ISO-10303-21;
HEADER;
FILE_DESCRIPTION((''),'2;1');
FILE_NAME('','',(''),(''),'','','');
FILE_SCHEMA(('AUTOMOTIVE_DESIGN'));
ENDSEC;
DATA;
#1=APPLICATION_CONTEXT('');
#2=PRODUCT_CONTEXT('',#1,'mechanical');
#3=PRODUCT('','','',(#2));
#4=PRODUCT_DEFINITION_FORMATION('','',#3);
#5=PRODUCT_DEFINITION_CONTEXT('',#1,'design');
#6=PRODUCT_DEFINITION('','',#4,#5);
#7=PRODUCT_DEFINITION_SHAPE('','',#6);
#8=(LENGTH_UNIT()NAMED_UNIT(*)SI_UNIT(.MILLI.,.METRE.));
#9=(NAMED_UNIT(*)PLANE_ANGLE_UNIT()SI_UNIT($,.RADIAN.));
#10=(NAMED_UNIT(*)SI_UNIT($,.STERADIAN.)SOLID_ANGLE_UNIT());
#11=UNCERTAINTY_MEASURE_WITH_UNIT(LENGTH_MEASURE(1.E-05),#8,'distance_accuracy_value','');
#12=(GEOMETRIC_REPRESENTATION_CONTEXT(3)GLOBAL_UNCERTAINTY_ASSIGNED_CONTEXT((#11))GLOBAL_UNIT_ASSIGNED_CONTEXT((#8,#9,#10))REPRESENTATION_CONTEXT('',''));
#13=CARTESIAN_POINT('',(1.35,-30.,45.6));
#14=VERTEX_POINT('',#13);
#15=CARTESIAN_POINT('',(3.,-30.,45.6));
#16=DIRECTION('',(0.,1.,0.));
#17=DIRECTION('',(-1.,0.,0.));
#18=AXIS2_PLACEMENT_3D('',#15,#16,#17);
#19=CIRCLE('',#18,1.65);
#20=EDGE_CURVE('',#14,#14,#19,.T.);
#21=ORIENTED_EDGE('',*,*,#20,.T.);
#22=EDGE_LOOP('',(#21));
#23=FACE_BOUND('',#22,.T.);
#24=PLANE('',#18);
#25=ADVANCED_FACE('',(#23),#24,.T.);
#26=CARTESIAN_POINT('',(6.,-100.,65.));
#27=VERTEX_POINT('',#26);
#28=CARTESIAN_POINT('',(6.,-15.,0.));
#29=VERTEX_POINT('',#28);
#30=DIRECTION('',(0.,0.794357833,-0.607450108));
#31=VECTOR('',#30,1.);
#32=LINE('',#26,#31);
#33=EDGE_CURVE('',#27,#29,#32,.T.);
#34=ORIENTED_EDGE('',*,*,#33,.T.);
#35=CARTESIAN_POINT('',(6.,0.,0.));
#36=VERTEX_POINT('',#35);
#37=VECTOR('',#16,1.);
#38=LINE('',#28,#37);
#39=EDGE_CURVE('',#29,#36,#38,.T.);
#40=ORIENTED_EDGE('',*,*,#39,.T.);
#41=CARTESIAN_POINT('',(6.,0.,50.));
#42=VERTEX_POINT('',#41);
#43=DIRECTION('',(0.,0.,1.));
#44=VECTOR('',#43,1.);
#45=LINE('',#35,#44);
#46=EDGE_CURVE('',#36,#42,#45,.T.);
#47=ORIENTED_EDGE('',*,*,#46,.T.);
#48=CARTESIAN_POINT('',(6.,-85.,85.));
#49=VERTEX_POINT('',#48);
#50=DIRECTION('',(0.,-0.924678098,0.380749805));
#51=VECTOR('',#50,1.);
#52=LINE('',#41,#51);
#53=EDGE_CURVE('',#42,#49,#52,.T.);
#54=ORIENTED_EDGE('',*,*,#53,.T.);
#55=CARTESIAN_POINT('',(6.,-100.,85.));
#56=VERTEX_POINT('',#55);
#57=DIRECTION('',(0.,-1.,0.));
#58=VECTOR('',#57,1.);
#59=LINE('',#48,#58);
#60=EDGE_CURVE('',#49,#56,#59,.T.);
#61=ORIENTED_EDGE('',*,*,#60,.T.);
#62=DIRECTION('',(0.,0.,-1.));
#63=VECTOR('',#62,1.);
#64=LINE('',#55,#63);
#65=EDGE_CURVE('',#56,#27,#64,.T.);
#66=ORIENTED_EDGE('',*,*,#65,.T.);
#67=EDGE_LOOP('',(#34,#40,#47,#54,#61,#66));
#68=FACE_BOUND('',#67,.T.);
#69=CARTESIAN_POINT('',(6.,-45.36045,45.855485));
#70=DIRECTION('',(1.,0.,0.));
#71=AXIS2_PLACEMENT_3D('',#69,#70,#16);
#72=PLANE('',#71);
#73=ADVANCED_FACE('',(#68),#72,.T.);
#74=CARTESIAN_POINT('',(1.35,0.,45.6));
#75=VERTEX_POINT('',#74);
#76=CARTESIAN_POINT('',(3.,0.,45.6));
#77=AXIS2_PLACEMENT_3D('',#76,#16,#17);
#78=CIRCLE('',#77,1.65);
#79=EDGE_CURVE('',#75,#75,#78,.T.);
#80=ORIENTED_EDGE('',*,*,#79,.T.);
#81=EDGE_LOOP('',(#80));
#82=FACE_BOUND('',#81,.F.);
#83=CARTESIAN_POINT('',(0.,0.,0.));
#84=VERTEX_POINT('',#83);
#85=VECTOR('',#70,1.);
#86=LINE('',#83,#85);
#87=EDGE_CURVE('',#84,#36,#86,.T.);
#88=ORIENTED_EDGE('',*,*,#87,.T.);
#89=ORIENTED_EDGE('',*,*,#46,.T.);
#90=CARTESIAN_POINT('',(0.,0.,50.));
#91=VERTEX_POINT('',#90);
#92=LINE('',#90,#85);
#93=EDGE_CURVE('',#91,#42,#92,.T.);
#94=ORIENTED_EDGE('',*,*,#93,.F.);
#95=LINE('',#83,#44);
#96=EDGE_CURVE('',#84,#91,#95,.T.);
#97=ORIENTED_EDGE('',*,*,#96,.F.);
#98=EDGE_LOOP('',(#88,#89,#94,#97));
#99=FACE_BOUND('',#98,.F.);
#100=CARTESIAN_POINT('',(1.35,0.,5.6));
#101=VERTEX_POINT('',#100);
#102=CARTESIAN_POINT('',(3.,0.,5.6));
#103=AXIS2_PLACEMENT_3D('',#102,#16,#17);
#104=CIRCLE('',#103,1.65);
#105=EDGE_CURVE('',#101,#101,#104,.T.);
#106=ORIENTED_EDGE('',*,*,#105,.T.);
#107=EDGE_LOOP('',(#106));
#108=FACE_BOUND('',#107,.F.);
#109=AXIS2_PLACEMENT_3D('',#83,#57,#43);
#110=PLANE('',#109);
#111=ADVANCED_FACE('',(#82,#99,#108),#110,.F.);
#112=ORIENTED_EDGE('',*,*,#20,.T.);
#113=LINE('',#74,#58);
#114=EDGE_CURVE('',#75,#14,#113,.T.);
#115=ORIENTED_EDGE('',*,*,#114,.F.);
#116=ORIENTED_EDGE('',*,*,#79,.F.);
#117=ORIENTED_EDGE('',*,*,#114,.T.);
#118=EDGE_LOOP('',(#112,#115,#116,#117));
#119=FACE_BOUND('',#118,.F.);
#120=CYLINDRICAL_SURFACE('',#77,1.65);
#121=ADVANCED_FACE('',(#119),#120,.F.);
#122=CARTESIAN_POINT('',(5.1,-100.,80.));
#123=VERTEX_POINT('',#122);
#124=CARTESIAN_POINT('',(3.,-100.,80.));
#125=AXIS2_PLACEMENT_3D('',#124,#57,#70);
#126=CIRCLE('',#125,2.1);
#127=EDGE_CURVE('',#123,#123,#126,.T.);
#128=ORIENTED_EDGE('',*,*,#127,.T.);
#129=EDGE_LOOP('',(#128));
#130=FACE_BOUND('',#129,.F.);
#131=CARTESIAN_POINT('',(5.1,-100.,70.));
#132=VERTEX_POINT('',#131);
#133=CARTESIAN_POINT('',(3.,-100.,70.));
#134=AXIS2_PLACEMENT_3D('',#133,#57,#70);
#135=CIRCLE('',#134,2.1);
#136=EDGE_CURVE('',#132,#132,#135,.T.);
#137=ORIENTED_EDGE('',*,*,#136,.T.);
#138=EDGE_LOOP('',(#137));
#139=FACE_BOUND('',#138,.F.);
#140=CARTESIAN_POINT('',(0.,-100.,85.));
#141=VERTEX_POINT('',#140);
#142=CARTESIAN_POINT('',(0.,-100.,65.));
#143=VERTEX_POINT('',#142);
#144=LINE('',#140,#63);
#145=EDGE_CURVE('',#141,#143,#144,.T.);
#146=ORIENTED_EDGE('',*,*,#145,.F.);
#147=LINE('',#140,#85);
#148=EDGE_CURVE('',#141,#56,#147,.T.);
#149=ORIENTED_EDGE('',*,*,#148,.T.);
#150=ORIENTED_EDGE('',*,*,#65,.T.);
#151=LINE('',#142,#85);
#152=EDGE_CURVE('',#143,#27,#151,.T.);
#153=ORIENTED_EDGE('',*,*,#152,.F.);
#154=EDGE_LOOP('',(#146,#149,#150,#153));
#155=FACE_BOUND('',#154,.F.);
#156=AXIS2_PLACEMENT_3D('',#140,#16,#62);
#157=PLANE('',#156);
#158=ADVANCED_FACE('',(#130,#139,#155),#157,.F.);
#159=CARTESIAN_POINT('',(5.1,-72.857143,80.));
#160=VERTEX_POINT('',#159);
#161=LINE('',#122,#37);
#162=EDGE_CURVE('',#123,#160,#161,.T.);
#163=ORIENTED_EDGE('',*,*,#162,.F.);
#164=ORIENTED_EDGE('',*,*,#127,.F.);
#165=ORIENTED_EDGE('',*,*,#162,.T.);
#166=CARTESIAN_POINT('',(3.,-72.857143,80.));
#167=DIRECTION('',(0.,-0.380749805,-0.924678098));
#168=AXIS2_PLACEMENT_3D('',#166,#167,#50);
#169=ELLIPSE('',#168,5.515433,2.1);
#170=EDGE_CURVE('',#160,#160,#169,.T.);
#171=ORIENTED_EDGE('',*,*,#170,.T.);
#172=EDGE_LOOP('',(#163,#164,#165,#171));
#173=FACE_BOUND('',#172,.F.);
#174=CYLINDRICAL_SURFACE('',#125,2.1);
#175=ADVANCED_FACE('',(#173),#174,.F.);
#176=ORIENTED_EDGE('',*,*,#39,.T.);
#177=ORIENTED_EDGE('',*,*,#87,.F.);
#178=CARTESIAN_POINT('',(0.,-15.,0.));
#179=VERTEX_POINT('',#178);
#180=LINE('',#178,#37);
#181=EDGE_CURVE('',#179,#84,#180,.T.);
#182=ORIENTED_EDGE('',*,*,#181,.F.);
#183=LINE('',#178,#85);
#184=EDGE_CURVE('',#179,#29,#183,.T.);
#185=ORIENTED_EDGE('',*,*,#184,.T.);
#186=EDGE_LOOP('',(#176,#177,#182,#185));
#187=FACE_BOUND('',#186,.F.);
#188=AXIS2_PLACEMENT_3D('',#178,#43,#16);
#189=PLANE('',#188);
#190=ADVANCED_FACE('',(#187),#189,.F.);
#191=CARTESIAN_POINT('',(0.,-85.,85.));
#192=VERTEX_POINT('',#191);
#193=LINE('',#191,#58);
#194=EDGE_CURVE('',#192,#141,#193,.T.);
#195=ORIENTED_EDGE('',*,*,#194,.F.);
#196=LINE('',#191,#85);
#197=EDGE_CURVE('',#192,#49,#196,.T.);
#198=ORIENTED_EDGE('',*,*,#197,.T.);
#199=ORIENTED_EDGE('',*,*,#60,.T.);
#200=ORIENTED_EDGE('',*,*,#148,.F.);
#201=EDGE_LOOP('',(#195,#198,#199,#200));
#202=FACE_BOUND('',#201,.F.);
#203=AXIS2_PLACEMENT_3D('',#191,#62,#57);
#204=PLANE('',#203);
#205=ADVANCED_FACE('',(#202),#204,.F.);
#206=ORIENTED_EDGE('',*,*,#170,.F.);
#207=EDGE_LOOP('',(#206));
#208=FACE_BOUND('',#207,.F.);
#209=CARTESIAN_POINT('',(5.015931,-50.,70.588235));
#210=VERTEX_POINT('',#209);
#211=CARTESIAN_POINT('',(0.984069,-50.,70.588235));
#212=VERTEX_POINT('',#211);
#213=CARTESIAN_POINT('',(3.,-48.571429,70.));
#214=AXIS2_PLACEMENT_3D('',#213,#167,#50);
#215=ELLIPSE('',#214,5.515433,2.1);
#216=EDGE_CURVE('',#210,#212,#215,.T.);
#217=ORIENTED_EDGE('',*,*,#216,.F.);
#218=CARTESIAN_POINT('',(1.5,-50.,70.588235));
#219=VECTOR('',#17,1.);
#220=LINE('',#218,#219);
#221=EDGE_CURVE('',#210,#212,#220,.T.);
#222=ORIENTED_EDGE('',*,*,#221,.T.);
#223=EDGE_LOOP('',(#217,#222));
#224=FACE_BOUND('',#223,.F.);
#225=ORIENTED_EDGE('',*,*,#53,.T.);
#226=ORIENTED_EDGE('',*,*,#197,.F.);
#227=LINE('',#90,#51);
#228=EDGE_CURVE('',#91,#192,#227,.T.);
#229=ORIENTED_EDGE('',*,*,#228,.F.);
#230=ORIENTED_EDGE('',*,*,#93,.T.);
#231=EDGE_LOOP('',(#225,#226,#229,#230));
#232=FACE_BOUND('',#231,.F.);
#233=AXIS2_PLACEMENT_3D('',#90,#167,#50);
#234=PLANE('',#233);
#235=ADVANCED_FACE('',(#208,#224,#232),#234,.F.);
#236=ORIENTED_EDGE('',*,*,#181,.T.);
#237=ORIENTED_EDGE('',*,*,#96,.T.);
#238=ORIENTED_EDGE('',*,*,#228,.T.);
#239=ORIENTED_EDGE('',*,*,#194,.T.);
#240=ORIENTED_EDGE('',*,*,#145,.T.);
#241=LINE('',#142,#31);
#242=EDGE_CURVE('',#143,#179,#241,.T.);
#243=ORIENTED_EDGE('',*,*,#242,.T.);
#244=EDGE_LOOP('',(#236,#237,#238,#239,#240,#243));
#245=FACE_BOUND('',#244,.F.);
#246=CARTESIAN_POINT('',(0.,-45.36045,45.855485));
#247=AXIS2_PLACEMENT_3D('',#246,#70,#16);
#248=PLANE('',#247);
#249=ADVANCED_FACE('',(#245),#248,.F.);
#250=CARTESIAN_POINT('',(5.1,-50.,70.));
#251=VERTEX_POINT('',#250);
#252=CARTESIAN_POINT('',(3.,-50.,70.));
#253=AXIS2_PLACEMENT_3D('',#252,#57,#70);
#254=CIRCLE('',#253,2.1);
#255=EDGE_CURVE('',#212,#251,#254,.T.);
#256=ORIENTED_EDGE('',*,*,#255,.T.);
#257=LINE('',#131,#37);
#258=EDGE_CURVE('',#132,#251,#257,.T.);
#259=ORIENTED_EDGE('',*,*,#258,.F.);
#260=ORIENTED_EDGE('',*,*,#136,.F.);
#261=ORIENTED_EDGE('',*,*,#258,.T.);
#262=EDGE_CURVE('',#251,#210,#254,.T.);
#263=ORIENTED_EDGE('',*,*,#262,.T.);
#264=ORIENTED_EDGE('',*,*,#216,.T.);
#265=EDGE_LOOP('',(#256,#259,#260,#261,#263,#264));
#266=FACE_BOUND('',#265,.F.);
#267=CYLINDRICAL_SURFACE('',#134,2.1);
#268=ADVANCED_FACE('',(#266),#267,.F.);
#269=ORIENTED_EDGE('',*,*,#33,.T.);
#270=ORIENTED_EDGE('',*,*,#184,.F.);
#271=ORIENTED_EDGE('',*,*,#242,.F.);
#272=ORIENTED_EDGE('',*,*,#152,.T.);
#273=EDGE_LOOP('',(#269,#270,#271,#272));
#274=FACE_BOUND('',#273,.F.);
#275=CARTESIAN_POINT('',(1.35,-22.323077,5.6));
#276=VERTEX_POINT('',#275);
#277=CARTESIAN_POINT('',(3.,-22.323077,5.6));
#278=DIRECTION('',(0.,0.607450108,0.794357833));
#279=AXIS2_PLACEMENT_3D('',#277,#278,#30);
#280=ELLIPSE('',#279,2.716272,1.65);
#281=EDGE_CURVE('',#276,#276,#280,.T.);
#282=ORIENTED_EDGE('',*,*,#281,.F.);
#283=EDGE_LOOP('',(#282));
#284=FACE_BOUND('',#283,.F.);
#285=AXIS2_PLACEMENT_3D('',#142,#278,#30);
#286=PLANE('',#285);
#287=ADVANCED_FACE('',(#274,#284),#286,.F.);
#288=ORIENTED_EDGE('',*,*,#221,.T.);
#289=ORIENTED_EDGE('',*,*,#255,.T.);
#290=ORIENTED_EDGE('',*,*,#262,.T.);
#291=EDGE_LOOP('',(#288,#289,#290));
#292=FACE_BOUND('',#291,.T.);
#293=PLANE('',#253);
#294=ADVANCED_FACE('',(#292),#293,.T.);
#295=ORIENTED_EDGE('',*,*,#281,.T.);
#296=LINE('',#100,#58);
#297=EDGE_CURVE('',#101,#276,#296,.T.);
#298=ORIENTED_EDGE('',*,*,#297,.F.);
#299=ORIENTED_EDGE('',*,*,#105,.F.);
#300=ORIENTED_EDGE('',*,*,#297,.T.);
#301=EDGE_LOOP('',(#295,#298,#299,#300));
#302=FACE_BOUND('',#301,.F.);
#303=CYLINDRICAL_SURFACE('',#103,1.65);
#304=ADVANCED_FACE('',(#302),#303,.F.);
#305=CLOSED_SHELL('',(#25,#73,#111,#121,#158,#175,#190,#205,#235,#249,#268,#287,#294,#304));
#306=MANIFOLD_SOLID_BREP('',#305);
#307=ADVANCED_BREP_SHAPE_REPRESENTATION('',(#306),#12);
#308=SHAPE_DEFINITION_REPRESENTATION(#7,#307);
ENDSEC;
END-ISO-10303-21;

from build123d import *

# Parameters (mm, degrees)
F1_DEPTH = 6
F2_R     = 2.1
F3_DEPTH = 50
F4_R     = 1.65
F5_DEPTH = 30


with BuildPart() as f1:
    # F0 (on Right) → F1 (new body)
    with BuildSketch(Plane.YZ):
        Polygon((-15, 0), (0, 0), (0, 50), (-85, 85), (-100, 85), (-100, 65), align=None)
    extrude(amount=F1_DEPTH)

    # F2 (on face) → F3 (cut)
    with BuildSketch(Plane.XZ.offset(100)):
        with Locations((3, 70)):
            Circle(F2_R)
        with Locations((3, 80)):
            Circle(F2_R)
    extrude(amount=-F3_DEPTH, mode=Mode.SUBTRACT)

    # F4 (on face) → F5 (cut)
    with BuildSketch(Plane(origin=(0, 0, 0), x_dir=(-1, 0, 0), z_dir=(0, 1, 0))):
        with Locations((-3, 45.6)):
            Circle(F4_R)
        with Locations((-3, 5.6)):
            Circle(F4_R)
    extrude(amount=-F5_DEPTH, mode=Mode.SUBTRACT)


solid = f1.part
